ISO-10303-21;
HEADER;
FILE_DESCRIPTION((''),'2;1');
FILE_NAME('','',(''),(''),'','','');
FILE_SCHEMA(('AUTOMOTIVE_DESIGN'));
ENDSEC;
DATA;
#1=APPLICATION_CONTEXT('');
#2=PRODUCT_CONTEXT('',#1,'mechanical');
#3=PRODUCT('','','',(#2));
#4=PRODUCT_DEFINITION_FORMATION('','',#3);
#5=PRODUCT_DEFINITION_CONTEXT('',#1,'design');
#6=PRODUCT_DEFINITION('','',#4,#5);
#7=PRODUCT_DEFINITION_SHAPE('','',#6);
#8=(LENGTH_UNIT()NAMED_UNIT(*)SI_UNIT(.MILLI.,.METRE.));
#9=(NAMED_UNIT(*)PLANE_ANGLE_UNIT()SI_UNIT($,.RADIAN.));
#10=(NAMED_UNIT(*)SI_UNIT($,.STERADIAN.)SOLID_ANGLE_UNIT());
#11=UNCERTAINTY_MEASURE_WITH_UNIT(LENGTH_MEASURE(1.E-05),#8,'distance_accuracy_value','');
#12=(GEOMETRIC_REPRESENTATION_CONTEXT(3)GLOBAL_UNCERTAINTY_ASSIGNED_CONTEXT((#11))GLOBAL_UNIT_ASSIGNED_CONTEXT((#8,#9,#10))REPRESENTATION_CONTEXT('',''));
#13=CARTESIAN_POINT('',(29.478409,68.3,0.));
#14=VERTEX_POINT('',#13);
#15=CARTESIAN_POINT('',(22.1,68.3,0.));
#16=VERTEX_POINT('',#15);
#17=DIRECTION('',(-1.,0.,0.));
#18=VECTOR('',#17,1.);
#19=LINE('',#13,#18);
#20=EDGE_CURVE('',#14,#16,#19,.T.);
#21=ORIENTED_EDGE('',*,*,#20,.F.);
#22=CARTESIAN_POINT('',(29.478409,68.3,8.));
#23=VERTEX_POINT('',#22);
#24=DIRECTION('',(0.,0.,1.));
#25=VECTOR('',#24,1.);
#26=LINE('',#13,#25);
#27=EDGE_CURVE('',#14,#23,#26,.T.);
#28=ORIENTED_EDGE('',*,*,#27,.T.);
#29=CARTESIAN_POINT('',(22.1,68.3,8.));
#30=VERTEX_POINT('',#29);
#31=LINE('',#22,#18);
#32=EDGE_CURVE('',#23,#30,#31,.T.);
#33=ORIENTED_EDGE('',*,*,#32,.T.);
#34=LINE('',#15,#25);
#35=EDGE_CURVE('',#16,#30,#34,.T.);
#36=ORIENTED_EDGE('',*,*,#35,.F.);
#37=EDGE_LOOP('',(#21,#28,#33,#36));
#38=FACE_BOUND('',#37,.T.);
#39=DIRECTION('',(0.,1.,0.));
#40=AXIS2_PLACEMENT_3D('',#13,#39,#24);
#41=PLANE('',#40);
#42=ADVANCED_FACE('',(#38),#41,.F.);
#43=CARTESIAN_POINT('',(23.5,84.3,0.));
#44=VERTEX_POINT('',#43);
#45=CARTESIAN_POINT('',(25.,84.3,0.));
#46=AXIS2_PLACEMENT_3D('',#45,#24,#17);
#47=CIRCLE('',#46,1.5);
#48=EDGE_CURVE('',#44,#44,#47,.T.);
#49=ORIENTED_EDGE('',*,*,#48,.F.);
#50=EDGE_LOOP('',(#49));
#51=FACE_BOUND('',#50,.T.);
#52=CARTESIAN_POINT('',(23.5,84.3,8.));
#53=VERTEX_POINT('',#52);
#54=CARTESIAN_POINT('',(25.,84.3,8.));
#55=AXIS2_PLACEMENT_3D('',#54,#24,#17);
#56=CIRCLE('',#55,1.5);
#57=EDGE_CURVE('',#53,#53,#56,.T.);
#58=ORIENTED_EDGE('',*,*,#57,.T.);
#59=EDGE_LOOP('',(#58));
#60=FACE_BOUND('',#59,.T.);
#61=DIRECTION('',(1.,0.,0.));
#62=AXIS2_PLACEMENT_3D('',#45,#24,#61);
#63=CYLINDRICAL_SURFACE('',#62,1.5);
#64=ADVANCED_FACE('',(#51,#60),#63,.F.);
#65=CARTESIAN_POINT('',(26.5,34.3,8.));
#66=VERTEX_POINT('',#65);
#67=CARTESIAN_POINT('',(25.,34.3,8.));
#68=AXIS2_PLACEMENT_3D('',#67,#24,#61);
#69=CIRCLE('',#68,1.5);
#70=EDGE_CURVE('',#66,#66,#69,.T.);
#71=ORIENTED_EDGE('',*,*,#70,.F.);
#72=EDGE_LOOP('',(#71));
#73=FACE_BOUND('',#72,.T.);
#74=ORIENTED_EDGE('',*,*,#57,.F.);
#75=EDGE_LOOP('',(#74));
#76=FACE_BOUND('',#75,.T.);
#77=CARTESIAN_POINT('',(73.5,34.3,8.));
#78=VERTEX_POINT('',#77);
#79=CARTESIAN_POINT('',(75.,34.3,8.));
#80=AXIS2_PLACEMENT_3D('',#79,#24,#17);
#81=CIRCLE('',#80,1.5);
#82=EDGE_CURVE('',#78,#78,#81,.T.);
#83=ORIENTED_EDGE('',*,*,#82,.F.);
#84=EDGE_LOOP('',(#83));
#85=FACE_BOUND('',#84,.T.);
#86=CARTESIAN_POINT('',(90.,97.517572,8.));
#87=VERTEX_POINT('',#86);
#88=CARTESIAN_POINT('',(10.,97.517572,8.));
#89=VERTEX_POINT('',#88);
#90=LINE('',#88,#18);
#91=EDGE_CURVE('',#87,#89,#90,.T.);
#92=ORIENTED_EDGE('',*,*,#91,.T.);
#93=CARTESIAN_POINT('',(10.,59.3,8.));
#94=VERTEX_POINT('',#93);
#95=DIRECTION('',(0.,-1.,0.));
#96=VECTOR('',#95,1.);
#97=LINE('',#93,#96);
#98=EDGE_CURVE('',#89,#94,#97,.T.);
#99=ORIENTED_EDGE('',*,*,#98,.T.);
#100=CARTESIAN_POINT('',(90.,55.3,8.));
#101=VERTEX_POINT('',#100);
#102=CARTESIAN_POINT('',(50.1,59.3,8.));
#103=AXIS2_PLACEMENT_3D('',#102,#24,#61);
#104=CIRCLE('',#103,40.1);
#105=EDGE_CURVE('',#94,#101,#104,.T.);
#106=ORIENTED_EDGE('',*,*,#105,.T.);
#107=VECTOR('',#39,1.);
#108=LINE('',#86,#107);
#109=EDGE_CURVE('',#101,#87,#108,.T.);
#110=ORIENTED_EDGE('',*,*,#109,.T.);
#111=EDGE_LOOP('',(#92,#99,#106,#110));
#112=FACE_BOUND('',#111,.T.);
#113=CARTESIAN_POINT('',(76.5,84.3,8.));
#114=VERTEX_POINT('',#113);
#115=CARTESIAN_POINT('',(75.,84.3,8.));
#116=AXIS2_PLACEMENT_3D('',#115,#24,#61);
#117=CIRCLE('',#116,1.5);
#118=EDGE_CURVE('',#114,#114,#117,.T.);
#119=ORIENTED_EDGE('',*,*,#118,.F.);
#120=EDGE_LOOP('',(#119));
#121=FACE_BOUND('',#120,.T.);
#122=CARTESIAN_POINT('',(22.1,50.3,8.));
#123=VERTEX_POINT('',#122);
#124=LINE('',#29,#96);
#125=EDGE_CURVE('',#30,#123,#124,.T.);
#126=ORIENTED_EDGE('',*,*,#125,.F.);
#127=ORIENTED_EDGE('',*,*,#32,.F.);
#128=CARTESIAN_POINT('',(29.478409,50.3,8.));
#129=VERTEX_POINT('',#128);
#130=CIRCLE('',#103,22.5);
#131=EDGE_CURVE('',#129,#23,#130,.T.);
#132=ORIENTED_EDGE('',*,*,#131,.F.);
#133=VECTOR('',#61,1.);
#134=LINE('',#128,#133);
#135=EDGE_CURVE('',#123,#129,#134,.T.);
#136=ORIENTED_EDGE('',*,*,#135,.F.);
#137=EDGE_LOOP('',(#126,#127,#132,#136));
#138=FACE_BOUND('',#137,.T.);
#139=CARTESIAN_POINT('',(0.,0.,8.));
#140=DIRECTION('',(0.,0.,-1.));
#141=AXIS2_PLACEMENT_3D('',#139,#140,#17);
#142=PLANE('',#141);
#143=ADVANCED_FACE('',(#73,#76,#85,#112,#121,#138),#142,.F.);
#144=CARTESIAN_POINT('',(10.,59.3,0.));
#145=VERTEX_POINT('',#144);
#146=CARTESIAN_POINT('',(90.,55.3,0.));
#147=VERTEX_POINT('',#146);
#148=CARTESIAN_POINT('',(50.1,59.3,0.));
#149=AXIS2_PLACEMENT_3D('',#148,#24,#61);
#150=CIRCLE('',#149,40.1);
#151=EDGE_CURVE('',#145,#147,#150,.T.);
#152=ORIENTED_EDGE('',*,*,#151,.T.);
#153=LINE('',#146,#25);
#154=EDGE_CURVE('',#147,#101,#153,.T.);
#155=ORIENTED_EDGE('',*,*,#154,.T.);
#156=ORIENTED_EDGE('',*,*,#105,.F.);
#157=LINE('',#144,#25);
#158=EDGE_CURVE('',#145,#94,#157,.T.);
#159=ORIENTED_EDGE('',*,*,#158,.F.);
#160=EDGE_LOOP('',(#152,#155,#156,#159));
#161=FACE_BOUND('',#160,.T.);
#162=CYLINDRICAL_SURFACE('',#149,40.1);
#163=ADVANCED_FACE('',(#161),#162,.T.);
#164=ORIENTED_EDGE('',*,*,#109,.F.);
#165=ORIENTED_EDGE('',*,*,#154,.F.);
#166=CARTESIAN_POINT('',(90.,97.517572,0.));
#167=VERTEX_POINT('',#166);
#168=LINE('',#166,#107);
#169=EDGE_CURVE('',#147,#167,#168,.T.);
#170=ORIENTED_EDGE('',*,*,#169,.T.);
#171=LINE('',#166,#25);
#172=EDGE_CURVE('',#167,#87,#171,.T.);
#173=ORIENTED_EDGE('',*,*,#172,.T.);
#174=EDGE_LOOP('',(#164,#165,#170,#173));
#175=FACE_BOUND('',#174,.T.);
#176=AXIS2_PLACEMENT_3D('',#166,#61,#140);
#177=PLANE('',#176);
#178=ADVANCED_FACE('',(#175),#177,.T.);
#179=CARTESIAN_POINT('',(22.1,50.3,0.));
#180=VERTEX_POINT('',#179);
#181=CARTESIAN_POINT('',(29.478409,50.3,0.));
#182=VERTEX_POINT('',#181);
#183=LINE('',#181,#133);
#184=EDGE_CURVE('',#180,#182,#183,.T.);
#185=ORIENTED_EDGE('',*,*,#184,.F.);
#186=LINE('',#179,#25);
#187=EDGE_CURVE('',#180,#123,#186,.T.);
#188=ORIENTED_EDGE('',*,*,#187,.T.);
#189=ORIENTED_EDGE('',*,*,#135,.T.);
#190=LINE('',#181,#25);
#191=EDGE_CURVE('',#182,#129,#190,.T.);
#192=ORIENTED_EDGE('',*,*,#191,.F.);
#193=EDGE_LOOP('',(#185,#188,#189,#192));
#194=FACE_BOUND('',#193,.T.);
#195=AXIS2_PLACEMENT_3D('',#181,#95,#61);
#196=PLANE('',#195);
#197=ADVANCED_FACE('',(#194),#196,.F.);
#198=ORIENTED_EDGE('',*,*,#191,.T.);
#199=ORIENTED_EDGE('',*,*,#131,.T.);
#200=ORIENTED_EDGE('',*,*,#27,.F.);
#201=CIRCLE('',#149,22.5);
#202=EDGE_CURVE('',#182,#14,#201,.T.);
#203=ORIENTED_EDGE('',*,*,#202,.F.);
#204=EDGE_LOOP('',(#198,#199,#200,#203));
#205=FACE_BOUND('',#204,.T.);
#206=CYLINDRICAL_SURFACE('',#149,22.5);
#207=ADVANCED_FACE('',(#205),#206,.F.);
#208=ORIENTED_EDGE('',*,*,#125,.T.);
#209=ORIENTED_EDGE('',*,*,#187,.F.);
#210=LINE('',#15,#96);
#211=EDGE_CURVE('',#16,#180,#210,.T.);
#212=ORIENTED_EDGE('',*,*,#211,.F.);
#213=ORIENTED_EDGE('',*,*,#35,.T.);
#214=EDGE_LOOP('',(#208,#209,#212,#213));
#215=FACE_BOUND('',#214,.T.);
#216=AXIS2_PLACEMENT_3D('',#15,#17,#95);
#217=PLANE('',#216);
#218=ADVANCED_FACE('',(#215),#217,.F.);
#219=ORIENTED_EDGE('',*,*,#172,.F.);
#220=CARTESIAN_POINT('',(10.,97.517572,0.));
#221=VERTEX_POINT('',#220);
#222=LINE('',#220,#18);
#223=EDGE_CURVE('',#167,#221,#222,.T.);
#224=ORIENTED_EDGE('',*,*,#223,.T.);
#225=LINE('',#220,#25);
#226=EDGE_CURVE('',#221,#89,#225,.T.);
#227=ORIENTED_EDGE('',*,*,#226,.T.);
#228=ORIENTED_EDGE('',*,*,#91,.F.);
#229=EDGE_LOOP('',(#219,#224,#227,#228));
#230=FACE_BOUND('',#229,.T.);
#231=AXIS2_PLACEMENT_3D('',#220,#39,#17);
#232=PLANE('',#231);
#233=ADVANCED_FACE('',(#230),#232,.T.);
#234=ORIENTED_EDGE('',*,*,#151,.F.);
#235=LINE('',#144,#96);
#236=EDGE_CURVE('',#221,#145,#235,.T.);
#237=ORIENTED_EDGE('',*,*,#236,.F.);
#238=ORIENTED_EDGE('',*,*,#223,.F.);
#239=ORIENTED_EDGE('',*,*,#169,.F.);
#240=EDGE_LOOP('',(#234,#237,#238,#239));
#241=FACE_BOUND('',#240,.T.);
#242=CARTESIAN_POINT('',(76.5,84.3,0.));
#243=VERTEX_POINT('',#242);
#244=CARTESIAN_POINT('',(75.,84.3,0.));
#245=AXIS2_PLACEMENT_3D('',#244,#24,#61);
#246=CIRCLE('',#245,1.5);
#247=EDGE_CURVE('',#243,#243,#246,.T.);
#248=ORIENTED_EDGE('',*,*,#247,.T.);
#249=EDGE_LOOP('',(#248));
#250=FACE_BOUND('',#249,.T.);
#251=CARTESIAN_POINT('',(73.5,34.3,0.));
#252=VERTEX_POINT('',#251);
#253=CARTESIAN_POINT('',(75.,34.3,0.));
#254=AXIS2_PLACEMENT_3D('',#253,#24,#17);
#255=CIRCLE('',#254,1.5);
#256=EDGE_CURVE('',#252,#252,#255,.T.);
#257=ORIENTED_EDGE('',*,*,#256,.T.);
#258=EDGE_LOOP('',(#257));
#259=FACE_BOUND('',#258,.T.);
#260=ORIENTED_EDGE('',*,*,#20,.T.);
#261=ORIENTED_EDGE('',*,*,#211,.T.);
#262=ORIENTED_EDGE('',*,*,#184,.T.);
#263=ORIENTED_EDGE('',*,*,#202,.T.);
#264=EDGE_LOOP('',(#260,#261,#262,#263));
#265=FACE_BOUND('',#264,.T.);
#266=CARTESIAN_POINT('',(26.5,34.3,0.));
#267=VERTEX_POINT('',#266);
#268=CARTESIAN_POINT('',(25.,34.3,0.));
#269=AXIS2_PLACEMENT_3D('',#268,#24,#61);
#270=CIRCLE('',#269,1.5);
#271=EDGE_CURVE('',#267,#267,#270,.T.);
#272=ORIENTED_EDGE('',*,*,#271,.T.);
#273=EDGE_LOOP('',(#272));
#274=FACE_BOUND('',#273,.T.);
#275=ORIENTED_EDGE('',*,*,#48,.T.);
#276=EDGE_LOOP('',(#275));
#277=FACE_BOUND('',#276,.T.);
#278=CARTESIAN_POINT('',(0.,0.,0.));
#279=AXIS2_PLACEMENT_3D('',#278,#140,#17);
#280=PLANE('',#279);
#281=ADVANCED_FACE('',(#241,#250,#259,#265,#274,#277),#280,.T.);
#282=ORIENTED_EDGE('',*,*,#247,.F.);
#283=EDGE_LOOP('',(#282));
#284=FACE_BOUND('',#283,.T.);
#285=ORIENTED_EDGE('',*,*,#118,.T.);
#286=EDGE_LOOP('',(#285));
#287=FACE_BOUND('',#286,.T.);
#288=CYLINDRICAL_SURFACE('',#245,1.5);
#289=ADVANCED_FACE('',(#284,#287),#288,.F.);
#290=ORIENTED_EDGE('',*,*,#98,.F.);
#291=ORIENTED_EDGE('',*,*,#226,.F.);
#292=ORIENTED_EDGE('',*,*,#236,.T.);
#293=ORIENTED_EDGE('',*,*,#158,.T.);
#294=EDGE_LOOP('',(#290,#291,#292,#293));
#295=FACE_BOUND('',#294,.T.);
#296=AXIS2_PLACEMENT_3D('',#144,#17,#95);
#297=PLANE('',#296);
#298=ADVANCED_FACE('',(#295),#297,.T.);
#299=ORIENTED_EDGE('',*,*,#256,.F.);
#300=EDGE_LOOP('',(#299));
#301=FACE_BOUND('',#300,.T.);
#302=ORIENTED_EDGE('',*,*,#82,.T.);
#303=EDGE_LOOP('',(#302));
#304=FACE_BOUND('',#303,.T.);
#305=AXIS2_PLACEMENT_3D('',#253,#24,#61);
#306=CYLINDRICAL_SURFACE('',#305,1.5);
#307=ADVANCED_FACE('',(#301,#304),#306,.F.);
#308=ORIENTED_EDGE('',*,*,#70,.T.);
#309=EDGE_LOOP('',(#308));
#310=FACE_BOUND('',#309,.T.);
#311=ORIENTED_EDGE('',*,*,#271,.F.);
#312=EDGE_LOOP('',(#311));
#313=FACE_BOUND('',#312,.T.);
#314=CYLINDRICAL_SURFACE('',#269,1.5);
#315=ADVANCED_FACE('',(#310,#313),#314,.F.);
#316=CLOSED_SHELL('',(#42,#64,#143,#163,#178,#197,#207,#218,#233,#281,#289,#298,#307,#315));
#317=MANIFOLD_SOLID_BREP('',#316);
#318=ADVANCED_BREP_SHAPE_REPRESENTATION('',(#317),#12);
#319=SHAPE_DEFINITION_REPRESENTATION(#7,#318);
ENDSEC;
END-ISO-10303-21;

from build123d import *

# Parameters (mm, degrees)
SKETCH_1_W          = 100
SKETCH_1_H          = 100
EXTRUDE_1_DEPTH     = 8
SKETCH_2_OUTSIDE_W  = 130.33
SKETCH_2_OUTSIDE_H  = 130.33
CUT_EXTRUDE_1_DEPTH = 142.647449677
SKETCH_3_R          = 1.5
CUT_EXTRUDE_2_DEPTH = 133.94238179


with BuildPart() as part:
    # 草图1 → 凸台-拉伸1 (new body)
    with BuildSketch(Plane.XY):
        with Locations((50, 50)):
            Rectangle(SKETCH_1_W, SKETCH_1_H)
    extrude(amount=EXTRUDE_1_DEPTH)

    # 草图2 outside → 切除-拉伸1 (cut, through all)
    with BuildSketch(Plane.XY.offset(8)):
        with Locations((50, 50)):
            Rectangle(SKETCH_2_OUTSIDE_W, SKETCH_2_OUTSIDE_H)
        with BuildLine():
            Line((90, 97.517572139), (90, 55.3))
            ThreePointArc((90, 55.3), (48.097501561, 19.250031211), (10, 59.3))
            Line((10, 59.3), (10, 97.517572139))
            Line((10, 97.517572139), (90, 97.517572139))
        make_face(mode=Mode.SUBTRACT)
    extrude(amount=-CUT_EXTRUDE_1_DEPTH, mode=Mode.SUBTRACT)

    # 草图3 → 切除-拉伸2 (cut, through all)
    with BuildSketch(Plane.XY.offset(8)):
        with Locations((75, 84.3)):
            Circle(SKETCH_3_R)
        with Locations(Location((75, 34.3, 0), (0, 0, 180))):
            Circle(SKETCH_3_R)
        with Locations((25, 34.3)):
            Circle(SKETCH_3_R)
        with Locations(Location((25, 84.3, 0), (0, 0, 180))):
            Circle(SKETCH_3_R)
        with BuildLine():
            Line((29.478409373, 68.3), (22.1, 68.3))
            Line((22.1, 68.3), (22.1, 50.3))
            Line((22.1, 50.3), (29.478409373, 50.3))
            ThreePointArc((29.478409373, 50.3), (72.6, 59.3), (29.478409373, 68.3))
        make_face()
    extrude(amount=-CUT_EXTRUDE_2_DEPTH, mode=Mode.SUBTRACT)


solid = part.part
